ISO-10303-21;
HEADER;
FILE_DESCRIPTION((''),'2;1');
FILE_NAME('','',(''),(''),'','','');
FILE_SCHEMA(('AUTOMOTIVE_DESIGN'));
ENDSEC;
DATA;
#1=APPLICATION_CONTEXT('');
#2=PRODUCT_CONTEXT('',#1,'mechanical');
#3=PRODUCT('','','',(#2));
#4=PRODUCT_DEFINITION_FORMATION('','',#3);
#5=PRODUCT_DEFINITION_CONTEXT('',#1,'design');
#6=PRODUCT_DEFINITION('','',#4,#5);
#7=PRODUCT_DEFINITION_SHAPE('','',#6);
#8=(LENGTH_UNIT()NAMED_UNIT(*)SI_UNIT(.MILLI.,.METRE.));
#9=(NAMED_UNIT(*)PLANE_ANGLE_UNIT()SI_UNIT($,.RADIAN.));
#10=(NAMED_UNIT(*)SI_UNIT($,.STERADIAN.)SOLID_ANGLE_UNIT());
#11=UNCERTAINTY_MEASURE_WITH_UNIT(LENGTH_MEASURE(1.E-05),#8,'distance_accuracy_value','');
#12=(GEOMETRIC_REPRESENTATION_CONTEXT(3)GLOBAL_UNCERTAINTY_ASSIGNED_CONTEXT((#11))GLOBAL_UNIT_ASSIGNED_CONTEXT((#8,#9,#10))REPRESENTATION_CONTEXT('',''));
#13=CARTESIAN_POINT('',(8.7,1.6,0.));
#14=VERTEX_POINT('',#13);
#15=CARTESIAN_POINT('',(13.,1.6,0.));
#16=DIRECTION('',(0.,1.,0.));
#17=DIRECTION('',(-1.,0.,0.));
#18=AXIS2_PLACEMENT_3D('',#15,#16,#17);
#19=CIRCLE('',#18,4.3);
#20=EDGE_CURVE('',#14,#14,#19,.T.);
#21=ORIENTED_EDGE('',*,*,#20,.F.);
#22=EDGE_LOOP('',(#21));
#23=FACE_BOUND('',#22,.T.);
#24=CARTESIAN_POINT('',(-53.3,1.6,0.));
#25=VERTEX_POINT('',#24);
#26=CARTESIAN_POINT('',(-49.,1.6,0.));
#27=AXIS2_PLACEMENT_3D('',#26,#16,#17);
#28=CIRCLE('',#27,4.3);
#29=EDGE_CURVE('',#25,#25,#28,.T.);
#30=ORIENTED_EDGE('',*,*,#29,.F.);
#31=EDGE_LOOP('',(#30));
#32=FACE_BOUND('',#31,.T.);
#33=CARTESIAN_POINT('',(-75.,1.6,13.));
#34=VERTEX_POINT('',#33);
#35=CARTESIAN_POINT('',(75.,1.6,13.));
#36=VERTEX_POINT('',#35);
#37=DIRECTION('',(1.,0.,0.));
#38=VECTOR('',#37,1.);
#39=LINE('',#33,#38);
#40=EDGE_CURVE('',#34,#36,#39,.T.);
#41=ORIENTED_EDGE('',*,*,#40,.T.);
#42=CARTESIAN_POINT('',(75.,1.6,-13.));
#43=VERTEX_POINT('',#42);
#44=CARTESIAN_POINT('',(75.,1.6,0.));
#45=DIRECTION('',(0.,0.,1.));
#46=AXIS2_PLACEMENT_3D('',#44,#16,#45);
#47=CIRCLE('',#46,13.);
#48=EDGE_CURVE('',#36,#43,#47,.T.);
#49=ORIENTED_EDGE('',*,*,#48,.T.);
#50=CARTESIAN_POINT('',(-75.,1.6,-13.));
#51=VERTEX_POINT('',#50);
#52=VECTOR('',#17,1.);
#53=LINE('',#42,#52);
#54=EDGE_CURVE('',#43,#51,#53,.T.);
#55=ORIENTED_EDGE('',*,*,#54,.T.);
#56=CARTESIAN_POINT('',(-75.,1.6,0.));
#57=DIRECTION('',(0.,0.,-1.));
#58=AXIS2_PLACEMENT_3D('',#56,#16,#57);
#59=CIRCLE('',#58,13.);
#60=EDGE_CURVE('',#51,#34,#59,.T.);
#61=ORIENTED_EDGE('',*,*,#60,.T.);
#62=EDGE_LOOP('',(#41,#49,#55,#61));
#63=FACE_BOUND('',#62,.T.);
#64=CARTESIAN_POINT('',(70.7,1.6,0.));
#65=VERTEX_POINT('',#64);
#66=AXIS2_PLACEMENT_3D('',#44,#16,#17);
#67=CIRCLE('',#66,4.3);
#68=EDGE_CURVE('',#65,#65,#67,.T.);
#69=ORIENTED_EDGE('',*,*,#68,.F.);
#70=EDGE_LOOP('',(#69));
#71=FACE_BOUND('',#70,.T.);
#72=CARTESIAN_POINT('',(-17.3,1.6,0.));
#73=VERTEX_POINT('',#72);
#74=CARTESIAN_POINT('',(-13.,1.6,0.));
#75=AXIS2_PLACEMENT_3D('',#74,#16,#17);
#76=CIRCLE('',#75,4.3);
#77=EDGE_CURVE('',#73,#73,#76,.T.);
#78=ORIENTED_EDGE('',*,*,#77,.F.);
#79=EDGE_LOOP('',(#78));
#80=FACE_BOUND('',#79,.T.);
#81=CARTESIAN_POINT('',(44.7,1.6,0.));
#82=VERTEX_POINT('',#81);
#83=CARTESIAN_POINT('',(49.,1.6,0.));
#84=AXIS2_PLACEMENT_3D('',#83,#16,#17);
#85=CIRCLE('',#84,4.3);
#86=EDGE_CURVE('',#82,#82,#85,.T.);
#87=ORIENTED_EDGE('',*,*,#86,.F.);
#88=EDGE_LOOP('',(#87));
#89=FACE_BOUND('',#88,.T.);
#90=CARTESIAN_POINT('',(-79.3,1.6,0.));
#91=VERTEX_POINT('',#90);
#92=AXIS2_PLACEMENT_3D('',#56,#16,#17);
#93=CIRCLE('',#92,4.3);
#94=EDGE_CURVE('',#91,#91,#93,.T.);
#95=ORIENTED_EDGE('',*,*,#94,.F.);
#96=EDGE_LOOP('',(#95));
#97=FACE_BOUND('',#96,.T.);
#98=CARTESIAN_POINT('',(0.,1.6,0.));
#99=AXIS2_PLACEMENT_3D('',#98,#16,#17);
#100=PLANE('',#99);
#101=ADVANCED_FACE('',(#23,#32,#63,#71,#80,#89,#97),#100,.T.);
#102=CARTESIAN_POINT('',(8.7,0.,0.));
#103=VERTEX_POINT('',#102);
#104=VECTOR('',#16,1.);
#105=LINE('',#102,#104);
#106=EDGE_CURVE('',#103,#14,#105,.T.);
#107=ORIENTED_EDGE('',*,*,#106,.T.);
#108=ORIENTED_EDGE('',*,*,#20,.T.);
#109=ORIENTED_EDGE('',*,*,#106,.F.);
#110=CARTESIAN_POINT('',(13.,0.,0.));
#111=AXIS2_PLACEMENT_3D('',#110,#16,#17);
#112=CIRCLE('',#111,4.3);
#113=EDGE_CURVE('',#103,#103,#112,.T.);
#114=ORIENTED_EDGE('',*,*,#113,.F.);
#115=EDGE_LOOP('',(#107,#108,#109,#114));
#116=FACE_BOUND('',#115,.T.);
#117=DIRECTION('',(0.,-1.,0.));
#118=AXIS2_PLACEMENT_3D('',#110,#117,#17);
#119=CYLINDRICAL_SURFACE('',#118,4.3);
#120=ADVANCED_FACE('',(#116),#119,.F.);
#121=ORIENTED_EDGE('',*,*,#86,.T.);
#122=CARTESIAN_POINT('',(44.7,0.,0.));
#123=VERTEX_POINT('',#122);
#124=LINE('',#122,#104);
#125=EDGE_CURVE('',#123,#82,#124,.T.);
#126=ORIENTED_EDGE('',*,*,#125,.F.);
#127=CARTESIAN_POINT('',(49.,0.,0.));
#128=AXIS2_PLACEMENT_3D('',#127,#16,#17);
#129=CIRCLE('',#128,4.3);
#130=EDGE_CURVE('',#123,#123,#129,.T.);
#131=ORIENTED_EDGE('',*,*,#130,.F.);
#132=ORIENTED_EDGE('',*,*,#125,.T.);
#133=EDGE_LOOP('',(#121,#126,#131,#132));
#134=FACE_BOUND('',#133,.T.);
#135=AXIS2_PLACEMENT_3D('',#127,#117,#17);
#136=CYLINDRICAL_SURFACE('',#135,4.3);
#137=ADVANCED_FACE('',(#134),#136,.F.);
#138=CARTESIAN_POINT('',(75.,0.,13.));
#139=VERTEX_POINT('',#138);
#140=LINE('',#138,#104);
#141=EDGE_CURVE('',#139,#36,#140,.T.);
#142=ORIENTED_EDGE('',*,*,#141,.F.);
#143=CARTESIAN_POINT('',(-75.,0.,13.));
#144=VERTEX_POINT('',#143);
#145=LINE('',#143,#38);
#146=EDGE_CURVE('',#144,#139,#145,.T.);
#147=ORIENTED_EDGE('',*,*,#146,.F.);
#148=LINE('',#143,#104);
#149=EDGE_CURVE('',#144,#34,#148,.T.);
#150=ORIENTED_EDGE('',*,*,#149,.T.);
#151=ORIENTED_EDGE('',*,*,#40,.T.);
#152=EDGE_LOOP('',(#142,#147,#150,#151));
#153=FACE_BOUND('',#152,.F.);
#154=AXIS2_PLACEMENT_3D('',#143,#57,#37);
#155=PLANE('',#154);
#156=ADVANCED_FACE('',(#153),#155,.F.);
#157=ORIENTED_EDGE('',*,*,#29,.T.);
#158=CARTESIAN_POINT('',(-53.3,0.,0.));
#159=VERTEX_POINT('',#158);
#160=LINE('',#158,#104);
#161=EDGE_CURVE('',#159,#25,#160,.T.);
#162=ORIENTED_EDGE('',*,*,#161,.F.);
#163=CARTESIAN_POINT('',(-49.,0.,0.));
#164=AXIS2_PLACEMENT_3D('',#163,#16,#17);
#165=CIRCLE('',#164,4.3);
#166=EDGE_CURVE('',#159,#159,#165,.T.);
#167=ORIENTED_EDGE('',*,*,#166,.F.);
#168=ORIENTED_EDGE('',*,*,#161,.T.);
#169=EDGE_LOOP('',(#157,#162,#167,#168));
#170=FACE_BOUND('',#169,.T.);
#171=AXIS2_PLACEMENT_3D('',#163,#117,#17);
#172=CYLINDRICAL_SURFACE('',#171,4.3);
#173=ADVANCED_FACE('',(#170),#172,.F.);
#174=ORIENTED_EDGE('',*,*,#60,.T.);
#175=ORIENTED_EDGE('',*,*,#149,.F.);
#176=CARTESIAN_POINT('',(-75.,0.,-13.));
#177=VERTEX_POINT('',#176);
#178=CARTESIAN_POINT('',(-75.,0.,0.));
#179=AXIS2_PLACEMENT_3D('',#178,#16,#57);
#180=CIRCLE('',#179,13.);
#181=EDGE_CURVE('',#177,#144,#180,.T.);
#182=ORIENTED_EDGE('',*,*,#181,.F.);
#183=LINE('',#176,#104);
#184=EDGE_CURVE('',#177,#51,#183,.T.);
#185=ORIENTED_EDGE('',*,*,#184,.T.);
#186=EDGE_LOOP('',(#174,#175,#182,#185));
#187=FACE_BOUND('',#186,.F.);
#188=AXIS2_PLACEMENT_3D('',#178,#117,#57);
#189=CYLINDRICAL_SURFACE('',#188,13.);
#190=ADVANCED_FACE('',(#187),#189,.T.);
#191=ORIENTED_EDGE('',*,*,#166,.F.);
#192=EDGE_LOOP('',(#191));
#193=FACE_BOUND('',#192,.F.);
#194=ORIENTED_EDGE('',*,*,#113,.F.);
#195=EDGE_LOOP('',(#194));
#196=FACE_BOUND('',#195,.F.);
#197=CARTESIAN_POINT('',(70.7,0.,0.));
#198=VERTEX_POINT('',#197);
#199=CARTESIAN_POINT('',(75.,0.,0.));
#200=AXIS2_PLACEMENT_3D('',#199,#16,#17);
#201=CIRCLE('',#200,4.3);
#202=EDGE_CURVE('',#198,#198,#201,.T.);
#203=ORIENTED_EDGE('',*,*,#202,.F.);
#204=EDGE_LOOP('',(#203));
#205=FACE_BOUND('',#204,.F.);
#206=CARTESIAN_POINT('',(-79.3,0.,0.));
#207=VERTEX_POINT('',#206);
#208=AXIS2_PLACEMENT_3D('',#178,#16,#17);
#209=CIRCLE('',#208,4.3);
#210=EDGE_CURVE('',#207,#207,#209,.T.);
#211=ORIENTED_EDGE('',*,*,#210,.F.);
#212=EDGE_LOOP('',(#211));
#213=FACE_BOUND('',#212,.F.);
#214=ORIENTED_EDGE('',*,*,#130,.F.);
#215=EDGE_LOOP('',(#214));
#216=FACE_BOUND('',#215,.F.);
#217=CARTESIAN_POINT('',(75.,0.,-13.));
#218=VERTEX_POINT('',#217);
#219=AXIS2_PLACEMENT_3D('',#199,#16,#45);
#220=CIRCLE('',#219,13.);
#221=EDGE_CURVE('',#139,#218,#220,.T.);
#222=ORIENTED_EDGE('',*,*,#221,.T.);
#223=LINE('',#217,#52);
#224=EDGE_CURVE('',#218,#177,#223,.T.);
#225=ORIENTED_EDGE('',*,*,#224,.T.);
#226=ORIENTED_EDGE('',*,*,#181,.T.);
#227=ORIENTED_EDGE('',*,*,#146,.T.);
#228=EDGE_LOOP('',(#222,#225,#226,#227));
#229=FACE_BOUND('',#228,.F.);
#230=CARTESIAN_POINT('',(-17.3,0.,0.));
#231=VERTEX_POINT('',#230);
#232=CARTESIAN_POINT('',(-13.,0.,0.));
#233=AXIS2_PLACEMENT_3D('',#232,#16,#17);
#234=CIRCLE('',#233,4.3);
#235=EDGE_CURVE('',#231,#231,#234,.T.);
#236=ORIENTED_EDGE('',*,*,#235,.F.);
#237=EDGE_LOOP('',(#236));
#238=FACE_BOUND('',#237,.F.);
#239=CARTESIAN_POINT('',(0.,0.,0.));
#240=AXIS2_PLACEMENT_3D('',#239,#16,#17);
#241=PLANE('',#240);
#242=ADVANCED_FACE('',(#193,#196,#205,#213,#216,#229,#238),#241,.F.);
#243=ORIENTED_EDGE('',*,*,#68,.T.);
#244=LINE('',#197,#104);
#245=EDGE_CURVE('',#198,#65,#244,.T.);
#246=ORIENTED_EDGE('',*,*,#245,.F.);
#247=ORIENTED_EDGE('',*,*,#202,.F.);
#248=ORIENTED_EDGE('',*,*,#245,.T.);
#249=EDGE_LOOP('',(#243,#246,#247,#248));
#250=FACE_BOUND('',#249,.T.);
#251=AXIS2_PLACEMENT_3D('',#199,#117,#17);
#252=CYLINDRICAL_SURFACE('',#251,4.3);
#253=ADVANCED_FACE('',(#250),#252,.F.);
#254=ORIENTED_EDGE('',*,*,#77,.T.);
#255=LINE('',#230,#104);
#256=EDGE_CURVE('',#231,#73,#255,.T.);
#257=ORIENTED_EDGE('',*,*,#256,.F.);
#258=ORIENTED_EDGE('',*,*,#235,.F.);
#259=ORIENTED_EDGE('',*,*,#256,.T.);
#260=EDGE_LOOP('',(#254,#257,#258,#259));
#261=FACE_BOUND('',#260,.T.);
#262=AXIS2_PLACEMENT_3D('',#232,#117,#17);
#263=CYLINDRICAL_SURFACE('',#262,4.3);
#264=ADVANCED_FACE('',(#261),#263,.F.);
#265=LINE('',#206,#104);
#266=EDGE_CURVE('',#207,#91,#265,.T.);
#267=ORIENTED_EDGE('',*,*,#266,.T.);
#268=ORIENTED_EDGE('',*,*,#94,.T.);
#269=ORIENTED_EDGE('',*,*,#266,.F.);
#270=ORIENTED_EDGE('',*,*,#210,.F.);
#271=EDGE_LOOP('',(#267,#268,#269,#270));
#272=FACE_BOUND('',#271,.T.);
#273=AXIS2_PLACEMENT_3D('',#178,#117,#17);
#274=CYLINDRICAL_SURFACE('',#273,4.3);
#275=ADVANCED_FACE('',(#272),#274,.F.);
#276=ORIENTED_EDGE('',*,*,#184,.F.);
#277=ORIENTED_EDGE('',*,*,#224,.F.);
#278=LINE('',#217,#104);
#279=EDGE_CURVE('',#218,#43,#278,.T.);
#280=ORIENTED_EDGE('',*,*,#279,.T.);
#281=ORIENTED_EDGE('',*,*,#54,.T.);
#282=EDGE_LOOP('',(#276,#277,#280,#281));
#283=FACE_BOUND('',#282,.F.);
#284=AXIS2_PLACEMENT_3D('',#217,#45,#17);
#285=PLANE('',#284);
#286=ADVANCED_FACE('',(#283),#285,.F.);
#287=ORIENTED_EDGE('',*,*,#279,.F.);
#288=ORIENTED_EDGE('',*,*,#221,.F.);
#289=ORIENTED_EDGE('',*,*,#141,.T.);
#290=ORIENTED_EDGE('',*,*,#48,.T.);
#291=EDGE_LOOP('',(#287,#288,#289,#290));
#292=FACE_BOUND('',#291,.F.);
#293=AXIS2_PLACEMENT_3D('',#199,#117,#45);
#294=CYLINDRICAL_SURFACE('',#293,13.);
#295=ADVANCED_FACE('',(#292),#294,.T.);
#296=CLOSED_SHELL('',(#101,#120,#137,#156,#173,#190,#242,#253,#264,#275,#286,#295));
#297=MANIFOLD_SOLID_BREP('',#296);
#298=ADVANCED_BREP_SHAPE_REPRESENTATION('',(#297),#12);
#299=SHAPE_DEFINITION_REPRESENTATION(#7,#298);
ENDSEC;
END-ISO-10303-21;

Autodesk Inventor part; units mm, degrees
ref_plane "YZ Plane" through (0, 0, 0) normal (1, 0, 0) x (0, 1, 0)
ref_plane "XZ Plane" through (0, 0, 0) normal (0, 1, 0) x (-1, 0, 0)
ref_plane "XY Plane" through (0, 0, 0) normal (0, 0, 1) x (1, 0, 0)
sketch "Sketch1" plane through (0, 0, 0) normal (0, 1, 0) x (-1, 0, 0)
  line L0 (-75, 0) -> (75, 0) construction
  line L1 (-75, -13) -> (75, -13)
  line L2 (75, 13) -> (-75, 13)
  arc A0 (-75, 13) -> (-75, -13) centre (-75, 0) ccw
  arc A1 (75, -13) -> (75, 13) centre (75, 0) ccw
  circle A2 centre (75, 0) radius 4.3
  circle A3 centre (49, 0) radius 4.3
  circle A4 centre (13, 0) radius 4.3
  circle A5 centre (-13, 0) radius 4.3
  circle A6 centre (-49, 0) radius 4.3
  circle A7 centre (-75, 0) radius 4.3
  point P0 (0, 0)
  dimension "d0" = 150
  dimension "d1" = 26
  dimension "d2" = 8.6
  dimension "d3" = 26
  dimension "d6" = 62
extrude "Extrusion1" add sketch "Sketch1" along normal blind 1.6
properties part number "TubePCB"
